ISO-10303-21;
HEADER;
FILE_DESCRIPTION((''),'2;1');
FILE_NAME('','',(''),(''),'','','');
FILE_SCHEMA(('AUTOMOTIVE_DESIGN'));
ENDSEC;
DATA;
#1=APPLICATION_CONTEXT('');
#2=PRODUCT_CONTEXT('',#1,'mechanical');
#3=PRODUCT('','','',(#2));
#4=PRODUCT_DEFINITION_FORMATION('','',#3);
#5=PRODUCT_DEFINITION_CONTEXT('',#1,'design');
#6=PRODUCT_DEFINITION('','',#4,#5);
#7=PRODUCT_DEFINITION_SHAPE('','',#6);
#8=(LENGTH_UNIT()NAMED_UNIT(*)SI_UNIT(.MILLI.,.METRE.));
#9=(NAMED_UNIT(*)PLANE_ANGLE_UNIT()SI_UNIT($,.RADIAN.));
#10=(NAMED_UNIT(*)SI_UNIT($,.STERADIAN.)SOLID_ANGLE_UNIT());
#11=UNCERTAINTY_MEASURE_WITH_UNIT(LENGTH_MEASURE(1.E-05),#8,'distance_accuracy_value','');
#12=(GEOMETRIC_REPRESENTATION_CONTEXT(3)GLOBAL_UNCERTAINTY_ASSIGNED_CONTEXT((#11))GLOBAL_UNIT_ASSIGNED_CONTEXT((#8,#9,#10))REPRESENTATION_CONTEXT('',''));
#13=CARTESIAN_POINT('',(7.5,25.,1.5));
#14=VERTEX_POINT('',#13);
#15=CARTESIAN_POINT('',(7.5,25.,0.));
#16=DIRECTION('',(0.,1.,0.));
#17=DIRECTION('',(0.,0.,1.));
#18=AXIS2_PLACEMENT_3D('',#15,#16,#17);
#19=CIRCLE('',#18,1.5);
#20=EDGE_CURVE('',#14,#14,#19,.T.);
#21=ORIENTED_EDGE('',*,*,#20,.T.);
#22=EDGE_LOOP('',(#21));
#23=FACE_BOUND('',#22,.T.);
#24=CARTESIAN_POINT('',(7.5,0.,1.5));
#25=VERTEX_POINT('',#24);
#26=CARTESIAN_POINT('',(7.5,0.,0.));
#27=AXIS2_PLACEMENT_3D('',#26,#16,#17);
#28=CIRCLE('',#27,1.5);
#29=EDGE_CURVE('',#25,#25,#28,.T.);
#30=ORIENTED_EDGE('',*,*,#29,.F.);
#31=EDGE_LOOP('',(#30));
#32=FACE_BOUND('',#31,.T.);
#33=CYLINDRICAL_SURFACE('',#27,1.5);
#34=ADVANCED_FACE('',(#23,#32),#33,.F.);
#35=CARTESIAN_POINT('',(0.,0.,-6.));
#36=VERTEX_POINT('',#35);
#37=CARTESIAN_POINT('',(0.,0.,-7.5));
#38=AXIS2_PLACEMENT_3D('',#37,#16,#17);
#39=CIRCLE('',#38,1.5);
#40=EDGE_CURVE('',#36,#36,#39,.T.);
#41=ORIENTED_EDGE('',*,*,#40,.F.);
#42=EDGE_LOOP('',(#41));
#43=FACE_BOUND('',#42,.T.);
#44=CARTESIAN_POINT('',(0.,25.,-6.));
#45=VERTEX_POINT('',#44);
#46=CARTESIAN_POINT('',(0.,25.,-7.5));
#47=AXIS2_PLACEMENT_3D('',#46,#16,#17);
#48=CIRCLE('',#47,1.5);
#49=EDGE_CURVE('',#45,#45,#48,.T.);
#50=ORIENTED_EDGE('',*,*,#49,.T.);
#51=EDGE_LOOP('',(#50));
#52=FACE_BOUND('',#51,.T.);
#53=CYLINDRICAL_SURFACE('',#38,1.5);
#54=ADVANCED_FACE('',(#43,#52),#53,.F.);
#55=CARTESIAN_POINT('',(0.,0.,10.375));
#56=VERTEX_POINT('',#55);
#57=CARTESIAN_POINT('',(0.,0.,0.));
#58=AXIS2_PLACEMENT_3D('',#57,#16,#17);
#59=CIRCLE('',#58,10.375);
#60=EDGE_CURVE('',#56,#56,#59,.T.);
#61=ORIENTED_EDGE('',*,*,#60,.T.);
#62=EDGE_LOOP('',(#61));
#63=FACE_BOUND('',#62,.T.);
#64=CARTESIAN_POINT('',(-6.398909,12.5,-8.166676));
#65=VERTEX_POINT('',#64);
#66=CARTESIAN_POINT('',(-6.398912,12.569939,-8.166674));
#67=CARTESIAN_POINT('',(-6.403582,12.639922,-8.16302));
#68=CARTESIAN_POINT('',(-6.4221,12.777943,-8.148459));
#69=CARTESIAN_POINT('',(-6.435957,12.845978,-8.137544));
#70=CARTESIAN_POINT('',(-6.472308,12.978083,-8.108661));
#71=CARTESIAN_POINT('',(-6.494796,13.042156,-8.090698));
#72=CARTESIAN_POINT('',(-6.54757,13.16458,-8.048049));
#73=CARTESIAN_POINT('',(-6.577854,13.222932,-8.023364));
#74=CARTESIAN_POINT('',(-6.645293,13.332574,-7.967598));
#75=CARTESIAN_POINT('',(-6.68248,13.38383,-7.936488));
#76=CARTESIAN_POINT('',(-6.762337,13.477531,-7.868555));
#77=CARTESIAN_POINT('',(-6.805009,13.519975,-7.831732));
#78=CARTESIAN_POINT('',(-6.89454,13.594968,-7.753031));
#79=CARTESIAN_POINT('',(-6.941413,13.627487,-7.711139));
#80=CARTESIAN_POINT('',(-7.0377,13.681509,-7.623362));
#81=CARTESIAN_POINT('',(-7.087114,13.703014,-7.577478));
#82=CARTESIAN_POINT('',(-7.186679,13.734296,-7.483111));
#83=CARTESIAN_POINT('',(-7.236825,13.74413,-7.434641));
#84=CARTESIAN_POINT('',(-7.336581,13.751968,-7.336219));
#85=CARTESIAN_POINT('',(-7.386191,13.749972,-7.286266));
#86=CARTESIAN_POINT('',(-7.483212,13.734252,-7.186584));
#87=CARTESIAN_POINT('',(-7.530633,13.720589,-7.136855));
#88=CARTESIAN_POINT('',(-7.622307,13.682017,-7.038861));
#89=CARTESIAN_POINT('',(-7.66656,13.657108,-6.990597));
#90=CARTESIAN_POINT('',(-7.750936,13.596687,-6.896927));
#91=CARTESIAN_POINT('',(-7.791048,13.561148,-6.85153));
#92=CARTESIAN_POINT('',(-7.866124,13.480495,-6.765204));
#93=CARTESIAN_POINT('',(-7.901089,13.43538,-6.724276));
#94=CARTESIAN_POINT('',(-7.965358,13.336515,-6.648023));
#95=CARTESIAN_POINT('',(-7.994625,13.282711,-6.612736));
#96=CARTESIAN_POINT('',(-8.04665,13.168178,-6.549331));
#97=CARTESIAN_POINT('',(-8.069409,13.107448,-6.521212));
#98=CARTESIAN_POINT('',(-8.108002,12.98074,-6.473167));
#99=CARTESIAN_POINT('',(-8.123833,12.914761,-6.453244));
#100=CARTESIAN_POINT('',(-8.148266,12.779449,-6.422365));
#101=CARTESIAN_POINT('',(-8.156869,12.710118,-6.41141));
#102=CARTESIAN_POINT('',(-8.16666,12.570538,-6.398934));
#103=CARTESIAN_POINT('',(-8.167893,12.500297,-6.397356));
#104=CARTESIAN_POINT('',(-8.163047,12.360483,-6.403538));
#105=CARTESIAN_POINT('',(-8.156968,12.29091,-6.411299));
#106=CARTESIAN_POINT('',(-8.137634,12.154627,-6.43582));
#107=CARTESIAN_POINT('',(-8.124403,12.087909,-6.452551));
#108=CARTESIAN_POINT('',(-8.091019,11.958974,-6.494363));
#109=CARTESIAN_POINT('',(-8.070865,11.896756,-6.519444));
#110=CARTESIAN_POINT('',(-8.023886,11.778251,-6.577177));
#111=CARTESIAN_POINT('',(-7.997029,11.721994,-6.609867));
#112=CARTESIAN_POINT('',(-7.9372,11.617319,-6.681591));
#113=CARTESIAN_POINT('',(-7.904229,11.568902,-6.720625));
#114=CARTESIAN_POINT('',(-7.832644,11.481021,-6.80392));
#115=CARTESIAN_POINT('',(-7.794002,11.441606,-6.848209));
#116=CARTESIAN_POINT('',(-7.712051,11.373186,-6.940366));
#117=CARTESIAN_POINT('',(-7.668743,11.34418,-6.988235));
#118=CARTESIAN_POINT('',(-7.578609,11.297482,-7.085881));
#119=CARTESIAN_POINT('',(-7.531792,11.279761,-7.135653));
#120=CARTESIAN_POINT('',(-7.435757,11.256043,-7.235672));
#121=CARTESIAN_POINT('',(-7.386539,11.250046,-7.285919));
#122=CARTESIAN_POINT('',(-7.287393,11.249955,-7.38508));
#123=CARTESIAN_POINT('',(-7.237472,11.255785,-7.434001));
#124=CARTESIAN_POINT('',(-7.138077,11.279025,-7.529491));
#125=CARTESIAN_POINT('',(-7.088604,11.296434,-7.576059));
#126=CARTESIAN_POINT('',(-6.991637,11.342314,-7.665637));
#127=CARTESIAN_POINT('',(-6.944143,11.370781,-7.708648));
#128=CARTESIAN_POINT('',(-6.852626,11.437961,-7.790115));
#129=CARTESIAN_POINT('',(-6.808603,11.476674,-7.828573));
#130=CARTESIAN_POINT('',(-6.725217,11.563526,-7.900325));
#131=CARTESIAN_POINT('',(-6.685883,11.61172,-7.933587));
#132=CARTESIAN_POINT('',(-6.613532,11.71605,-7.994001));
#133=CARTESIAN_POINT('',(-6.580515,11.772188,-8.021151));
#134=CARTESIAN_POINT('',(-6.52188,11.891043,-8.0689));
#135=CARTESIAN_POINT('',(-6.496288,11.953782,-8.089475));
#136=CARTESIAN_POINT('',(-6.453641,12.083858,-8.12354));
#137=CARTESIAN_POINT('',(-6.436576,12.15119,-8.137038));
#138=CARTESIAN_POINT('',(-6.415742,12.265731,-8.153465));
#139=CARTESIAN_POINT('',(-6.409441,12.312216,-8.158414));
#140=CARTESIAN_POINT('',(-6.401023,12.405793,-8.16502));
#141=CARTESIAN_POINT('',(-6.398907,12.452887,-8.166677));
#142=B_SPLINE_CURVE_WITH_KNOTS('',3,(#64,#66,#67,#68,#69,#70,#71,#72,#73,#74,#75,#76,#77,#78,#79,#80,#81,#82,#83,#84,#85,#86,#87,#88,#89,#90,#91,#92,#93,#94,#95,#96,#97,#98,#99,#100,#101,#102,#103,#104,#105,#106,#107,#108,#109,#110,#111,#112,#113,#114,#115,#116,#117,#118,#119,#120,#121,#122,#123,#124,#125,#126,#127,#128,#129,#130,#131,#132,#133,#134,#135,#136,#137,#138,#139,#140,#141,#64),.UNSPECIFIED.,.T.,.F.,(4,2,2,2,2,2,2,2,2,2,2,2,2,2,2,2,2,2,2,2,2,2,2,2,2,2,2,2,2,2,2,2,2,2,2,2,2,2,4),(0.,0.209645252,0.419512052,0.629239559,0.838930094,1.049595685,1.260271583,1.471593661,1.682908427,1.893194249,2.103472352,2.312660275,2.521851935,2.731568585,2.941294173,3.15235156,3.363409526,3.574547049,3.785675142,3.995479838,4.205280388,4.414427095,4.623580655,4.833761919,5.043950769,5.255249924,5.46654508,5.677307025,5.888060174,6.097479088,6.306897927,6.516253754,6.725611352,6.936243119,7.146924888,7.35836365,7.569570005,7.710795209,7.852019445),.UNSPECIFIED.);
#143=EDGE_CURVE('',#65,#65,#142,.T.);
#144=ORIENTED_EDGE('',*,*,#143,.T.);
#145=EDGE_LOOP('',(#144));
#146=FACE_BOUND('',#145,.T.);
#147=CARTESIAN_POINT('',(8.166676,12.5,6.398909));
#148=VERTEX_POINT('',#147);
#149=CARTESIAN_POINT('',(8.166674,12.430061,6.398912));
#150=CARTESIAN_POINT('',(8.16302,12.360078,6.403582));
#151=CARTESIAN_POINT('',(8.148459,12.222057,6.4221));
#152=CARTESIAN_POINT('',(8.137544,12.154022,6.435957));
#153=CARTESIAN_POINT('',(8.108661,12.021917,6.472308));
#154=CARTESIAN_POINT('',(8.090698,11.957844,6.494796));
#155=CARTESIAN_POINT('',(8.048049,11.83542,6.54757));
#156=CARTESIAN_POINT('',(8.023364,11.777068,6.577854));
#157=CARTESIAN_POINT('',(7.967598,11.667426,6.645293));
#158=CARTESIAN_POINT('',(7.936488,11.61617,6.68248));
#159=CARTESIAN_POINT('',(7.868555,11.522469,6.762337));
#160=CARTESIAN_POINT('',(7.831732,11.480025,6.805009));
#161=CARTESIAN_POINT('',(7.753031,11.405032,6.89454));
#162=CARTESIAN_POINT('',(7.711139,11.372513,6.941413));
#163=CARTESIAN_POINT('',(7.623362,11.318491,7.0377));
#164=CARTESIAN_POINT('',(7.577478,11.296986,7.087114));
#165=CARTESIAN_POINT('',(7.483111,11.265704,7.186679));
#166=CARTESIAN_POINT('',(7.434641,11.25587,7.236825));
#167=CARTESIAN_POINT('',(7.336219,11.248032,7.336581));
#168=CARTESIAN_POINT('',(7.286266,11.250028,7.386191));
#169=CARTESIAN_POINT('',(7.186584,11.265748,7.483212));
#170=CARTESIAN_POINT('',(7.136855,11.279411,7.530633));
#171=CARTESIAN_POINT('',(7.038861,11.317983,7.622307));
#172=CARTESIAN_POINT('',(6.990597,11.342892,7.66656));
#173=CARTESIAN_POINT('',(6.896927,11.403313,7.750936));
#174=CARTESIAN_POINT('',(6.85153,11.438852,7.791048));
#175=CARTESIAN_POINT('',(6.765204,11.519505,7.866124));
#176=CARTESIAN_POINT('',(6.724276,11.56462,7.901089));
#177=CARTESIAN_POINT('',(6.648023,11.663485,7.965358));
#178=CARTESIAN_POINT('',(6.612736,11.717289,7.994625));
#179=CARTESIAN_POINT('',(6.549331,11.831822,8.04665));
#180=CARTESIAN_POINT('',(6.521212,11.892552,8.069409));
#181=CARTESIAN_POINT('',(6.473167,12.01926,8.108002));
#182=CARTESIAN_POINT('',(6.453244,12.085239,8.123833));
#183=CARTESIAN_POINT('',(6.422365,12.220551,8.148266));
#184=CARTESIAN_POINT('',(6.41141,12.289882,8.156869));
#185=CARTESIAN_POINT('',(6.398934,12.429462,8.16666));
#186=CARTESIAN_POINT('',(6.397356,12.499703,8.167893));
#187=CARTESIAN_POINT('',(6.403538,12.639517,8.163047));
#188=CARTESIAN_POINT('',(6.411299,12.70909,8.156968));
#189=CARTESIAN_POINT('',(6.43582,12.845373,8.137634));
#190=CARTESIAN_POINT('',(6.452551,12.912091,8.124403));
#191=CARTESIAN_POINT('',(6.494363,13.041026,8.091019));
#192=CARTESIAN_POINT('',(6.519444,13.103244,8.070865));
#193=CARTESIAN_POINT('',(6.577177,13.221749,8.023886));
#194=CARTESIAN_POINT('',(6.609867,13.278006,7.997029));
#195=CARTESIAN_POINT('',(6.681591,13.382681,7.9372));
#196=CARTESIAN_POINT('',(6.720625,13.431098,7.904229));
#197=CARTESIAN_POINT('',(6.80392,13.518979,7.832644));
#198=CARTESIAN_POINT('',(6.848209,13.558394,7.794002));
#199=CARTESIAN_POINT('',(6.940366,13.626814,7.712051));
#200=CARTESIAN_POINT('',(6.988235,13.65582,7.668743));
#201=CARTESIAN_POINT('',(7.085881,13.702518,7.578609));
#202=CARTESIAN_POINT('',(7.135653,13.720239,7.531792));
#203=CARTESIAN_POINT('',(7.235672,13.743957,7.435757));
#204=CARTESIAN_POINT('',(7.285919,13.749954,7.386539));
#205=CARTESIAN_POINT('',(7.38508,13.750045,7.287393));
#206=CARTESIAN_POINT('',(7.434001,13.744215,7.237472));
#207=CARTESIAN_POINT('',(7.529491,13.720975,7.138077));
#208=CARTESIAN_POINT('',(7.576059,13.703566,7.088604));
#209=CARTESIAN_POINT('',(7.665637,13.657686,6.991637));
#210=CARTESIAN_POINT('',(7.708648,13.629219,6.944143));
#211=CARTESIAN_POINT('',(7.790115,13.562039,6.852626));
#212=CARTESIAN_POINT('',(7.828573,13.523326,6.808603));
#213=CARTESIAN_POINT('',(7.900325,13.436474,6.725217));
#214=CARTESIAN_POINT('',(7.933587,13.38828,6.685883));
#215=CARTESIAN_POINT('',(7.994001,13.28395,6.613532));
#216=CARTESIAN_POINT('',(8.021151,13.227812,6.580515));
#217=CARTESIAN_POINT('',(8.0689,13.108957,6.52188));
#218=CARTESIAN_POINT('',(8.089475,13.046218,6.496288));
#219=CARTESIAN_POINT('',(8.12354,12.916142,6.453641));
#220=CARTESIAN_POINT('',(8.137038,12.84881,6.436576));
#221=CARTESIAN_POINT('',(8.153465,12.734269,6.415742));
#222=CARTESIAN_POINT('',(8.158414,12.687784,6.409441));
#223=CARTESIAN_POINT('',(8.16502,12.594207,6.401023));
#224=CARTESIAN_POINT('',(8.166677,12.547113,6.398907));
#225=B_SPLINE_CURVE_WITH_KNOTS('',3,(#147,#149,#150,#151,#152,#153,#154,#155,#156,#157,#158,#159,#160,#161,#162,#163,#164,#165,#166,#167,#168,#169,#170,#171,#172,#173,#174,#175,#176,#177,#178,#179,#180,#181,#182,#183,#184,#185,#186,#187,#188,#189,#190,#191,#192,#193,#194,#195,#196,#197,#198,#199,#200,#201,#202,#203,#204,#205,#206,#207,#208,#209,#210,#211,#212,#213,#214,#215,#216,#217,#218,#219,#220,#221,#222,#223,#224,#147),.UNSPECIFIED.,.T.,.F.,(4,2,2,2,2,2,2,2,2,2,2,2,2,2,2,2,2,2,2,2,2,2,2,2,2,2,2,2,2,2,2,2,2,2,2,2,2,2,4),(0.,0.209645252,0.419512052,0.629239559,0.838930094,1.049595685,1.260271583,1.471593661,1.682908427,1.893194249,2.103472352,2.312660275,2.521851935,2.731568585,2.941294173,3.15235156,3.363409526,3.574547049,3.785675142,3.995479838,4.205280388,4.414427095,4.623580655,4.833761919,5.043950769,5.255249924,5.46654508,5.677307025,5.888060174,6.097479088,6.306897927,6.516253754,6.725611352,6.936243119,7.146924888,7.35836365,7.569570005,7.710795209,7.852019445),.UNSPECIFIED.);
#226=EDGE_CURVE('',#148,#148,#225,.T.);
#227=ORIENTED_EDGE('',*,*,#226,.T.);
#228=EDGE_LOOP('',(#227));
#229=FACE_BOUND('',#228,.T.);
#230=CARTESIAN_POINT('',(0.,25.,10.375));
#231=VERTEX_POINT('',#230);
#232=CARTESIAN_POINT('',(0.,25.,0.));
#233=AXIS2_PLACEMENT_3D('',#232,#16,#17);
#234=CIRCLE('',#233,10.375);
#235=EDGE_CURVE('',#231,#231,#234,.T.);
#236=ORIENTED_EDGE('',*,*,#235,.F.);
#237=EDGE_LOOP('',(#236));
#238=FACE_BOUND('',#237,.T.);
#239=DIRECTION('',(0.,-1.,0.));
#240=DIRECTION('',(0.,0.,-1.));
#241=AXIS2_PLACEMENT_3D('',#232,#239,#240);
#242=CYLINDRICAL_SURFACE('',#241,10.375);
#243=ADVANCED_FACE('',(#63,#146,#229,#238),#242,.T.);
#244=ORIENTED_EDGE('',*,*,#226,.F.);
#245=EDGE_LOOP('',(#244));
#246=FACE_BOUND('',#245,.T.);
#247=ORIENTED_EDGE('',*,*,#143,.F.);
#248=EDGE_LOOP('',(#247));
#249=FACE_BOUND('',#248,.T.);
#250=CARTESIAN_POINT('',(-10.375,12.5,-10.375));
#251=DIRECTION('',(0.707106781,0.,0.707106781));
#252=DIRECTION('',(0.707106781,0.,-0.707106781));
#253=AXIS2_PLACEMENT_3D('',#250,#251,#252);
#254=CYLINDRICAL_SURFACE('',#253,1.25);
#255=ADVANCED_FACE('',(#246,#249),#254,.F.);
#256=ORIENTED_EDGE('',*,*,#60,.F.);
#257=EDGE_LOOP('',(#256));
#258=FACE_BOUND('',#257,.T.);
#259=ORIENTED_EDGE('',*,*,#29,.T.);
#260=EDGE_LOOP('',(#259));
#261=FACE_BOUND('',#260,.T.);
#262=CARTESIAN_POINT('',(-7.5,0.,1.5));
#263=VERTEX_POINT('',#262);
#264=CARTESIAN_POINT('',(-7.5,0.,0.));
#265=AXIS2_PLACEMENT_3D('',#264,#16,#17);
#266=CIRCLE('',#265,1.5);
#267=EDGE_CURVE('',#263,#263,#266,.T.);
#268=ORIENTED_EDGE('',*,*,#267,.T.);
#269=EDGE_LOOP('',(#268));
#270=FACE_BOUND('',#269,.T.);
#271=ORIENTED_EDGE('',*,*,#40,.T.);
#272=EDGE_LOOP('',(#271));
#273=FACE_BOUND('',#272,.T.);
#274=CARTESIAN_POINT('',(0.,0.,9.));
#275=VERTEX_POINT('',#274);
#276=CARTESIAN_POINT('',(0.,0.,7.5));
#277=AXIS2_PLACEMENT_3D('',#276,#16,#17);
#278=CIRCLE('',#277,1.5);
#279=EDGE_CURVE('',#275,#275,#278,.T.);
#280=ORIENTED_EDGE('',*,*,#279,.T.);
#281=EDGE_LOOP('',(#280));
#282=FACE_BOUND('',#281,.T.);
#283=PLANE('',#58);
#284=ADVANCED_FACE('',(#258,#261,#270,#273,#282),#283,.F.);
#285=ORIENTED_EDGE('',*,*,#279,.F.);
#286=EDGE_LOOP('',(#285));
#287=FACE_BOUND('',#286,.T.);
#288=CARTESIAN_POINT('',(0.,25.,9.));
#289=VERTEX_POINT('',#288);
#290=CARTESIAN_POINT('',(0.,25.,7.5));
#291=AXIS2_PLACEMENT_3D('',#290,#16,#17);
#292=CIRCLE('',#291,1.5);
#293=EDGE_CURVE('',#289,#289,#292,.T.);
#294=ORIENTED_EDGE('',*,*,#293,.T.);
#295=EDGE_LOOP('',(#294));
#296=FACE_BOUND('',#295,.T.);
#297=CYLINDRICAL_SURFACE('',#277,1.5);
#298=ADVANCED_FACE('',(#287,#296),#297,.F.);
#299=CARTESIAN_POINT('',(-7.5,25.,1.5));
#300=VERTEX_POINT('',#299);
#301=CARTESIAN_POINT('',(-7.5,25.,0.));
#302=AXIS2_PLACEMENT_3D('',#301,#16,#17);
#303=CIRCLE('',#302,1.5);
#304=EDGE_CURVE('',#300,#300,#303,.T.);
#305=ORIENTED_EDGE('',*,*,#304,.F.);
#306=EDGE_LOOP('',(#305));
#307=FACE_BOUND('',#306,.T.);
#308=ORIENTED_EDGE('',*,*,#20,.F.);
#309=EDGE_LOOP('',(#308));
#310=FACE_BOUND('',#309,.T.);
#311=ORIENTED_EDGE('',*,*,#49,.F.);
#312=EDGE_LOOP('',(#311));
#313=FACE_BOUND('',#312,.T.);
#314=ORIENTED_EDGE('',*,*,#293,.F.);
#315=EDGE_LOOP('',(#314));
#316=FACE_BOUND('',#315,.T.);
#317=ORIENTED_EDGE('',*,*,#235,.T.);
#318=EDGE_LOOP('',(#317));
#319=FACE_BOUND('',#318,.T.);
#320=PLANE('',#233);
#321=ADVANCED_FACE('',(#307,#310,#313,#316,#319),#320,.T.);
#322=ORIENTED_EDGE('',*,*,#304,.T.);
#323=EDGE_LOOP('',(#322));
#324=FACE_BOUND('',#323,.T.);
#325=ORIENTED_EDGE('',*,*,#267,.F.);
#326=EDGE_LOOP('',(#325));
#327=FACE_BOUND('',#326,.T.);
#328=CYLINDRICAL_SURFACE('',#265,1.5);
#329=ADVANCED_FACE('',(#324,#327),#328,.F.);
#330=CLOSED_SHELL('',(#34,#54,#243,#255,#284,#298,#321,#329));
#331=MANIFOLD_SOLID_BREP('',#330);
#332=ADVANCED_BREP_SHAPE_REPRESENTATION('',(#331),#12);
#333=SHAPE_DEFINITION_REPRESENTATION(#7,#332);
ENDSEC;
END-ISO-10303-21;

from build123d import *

# Parameters (mm, degrees)
SKETCH_1_R               = 10.375
EXTRUDE_1_DEPTH          = 25
SKETCH_2_R               = 1.5
CUT_EXTRUDE_1_DEPTH      = 29.98760511
CUT_EXTRUDE_2_DEPTH      = 29.98760511
CUT_EXTRUDE_2_DEPTH_BACK = 29.98760511
SKETCH_3_R               = 1.25


with BuildPart() as part:
    # 草图1 → 凸台-拉伸1 (new body)
    with BuildSketch(Plane(origin=(0, 0, 0), x_dir=(1, 0, 0), z_dir=(0, 1, 0))):
        Circle(SKETCH_1_R)
    extrude(amount=EXTRUDE_1_DEPTH)

    # 草图2 → 切除-拉伸1 (cut, through all)
    with BuildSketch(Plane(origin=(0, 25, 0), x_dir=(1, 0, 0), z_dir=(0, 1, 0))):
        with Locations((0, 7.5)):
            Circle(SKETCH_2_R)
        with Locations((-7.5, 0)):
            Circle(SKETCH_2_R)
        with Locations((7.5, 0)):
            Circle(SKETCH_2_R)
        with Locations((0, -7.5)):
            Circle(SKETCH_2_R)
    extrude(amount=-CUT_EXTRUDE_1_DEPTH, mode=Mode.SUBTRACT)

    # 草图3 → 切除-拉伸2 (cut, two sides: drawn at the far end of the back side and taken through both)
    with BuildSketch(Plane(origin=(0, 0, 0), x_dir=(0, 1, 0), z_dir=(0.7071067811865488, 0, 0.7071067811865464)).offset(-CUT_EXTRUDE_2_DEPTH_BACK)):
        with Locations((12.5, 0)):
            Circle(SKETCH_3_R)
    extrude(amount=CUT_EXTRUDE_2_DEPTH + CUT_EXTRUDE_2_DEPTH_BACK, mode=Mode.SUBTRACT)


solid = part.part
